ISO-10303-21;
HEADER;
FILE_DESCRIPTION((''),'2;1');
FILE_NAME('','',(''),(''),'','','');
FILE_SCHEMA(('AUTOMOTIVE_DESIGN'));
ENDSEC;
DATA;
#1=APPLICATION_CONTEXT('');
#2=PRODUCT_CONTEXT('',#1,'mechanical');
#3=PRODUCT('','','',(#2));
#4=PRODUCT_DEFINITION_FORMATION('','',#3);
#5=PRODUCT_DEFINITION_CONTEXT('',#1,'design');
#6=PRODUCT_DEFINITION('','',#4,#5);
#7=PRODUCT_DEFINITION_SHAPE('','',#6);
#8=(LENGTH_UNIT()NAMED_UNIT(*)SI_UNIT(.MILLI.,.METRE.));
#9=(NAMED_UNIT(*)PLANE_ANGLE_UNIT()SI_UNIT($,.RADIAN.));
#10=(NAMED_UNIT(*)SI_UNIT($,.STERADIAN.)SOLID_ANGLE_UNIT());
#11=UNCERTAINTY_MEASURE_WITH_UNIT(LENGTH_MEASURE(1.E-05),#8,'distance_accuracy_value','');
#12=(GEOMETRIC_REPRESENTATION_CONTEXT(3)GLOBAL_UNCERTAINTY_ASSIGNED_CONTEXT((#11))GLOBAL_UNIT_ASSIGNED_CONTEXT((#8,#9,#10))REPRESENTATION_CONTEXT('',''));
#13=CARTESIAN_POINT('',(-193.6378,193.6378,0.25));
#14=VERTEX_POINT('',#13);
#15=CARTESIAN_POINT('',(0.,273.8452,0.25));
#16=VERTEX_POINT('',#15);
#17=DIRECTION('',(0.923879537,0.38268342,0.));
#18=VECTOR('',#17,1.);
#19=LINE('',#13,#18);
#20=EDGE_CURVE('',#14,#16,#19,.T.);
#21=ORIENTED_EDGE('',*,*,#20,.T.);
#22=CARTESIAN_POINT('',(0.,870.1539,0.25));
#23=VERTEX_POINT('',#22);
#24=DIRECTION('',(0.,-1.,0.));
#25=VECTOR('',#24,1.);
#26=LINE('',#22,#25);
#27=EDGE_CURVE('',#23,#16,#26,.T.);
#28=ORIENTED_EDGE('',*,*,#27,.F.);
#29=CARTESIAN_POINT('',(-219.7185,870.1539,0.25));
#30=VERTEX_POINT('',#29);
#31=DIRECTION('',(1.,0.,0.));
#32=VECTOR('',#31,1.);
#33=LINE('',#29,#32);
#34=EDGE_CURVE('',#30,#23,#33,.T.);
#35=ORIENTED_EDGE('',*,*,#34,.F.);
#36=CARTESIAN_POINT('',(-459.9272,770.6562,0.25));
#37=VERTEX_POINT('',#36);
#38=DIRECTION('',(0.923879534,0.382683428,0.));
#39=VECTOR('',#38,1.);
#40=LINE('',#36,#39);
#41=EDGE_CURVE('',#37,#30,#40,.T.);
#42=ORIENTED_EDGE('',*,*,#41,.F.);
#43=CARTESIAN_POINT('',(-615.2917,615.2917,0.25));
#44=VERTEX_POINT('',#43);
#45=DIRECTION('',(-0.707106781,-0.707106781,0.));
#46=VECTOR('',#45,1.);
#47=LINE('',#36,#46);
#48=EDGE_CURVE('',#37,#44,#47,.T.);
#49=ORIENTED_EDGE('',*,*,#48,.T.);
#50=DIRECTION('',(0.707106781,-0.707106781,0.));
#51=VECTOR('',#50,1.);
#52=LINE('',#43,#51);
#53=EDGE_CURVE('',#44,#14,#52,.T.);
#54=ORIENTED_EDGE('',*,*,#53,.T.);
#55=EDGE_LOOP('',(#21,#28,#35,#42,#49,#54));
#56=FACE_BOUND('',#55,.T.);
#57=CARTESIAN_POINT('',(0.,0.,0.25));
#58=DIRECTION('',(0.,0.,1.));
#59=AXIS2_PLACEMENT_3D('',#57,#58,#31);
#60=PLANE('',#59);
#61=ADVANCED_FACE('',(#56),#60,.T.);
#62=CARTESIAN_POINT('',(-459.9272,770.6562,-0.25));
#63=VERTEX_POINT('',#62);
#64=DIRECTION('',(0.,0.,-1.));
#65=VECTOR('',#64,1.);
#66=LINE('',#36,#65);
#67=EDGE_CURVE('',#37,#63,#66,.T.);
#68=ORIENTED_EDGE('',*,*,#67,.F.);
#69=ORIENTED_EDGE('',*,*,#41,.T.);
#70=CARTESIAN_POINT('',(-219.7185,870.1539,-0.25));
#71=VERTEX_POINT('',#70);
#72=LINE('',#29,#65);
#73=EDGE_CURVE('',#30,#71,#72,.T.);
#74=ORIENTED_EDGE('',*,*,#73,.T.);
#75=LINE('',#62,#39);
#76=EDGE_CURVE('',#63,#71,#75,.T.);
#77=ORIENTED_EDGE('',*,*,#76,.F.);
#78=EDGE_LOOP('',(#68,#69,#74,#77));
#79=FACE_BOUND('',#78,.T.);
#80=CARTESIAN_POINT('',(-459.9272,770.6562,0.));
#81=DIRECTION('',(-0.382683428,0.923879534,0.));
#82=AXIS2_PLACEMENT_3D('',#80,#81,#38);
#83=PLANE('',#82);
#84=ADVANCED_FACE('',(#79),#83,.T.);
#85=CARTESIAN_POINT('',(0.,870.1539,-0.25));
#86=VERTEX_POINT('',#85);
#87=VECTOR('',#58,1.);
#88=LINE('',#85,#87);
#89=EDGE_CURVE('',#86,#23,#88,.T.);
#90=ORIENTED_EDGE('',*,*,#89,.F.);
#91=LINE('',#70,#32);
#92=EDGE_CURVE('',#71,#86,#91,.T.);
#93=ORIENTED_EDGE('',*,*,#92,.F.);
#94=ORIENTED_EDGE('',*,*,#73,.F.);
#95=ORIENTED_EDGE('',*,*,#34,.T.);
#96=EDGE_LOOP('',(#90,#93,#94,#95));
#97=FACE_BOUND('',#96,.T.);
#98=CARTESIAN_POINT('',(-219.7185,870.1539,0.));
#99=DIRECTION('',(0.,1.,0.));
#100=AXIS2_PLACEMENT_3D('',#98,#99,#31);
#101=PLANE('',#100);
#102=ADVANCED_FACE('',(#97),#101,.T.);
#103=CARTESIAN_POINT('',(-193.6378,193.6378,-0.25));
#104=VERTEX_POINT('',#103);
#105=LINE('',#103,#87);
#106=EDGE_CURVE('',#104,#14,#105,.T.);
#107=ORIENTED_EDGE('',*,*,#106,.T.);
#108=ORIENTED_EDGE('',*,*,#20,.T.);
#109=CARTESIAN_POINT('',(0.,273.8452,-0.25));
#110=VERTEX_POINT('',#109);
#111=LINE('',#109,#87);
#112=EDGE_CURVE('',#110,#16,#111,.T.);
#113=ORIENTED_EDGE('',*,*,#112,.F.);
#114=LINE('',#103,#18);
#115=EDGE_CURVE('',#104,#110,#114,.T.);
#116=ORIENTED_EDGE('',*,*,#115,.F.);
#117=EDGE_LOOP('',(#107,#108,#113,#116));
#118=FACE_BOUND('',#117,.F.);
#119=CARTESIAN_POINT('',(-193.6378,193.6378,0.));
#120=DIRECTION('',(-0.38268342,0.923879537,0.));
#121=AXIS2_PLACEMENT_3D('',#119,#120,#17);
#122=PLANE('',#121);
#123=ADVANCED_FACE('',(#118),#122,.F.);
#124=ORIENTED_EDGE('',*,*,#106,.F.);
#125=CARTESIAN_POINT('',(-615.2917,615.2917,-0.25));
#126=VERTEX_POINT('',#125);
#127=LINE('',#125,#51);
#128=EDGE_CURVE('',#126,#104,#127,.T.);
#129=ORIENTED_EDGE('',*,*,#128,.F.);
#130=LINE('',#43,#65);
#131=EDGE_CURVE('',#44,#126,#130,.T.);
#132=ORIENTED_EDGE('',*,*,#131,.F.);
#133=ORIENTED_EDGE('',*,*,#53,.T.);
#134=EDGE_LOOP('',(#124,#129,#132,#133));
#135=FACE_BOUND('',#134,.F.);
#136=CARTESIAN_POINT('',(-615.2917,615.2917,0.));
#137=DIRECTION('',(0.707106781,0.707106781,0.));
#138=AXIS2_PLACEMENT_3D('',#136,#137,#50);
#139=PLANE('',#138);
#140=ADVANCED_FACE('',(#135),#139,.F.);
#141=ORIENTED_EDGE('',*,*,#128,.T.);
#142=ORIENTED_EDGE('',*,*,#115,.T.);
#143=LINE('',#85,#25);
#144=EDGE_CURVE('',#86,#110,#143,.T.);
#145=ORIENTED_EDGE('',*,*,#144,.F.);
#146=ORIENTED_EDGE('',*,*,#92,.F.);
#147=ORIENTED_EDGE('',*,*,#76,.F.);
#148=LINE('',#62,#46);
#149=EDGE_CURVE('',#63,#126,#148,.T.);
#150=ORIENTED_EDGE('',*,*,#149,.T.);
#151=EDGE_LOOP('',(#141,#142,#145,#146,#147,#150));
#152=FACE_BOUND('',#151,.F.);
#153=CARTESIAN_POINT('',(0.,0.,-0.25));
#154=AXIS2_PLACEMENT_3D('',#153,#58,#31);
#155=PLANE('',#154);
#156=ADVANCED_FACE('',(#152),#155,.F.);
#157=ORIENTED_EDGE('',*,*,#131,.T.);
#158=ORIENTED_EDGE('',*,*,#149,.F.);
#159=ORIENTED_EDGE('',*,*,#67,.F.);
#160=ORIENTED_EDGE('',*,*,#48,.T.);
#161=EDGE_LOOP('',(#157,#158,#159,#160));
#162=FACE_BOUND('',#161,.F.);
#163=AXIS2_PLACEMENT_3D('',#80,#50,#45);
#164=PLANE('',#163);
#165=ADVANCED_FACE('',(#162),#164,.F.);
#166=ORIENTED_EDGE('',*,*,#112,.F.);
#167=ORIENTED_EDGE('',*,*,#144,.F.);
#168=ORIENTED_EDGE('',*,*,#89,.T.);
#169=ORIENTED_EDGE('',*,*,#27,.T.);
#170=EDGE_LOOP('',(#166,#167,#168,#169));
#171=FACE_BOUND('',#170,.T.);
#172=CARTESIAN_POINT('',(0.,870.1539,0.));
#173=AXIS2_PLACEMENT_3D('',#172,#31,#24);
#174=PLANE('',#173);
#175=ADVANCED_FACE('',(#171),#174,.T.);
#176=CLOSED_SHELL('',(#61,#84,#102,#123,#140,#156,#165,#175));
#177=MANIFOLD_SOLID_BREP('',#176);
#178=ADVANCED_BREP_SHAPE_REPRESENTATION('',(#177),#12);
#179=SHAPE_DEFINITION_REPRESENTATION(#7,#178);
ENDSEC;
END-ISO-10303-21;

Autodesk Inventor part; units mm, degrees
ref_plane "YZ Plane" through (0, 0, 0) normal (1, 0, 0) x (0, 1, 0)
ref_plane "XZ Plane" through (0, 0, 0) normal (0, 1, 0) x (-1, 0, 0)
ref_plane "XY Plane" through (0, 0, 0) normal (0, 0, 1) x (1, 0, 0)
sketch "Sketch1" plane through (0, 0, 0) normal (0, 0, 1) x (1, 0, 0)
  line L0 (0, 273.8452) -> (193.6378, 193.6378) construction
  line L1 (193.6378, 193.6378) -> (273.8452, 0) construction
  line L2 (273.8452, 0) -> (193.6378, -193.6378) construction
  line L3 (193.6378, -193.6378) -> (0, -273.8452) construction
  line L4 (0, -273.8452) -> (-193.6378, -193.6378) construction
  line L5 (-193.6378, -193.6378) -> (-273.8452, 0) construction
  line L6 (-273.8452, 0) -> (-193.6378, 193.6378) construction
  line L7 (-193.6378, 193.6378) -> (0, 273.8452)
  line L8 (-193.6378, 193.6378) -> (0, 273.8452)
  line L9 (-459.9272, 770.6562) -> (-219.7185, 870.1539)
  line L10 (-96.8189, 233.7415) -> (-339.8229, 820.405) construction
  line L11 (-219.7185, 870.1539) -> (0, 870.1539)
  line L12 (0, 870.1539) -> (0, 273.8452)
  line L13 (-459.9272, 770.6562) -> (-615.2917, 615.2917)
  line L14 (-615.2917, 615.2917) -> (-193.6378, 193.6378)
  point P0 (0, 0)
  point P1 (0, 0)
  dimension "d0" = 506
  dimension "d2" = 260
  dimension "d3" = 635
extrude "Extrusion1" add sketch "Sketch1" along normal mid plane 0.5
sketch "Sketch7" plane through (0, 0, 0.25) normal (0, 0, 1) x (1, 0, 0)
  line L0 (-13, 865.1539) -> (-5, 865.1539)
  line L1 (-5, 865.1539) -> (-5, 857.1539)
  line L2 (-5, 857.1539) -> (-13, 857.1539)
  line L3 (-13, 857.1539) -> (-13, 865.1539)
  line L4 (0, 870.1539) -> (-219.7185, 870.1539) projected
  line L5 (0, 273.8452) -> (0, 870.1539) projected
  point P0 (0, 0)
  dimension "d54" = 8
  dimension "d55" = 8
  dimension "d56" = 5
  dimension "d57" = 5
extrude "Extrusion5" [suppressed]
pattern_linear "Rectangular Pattern1" [suppressed]
equation "\"d0\" = Барабан_габарит_по_кассетам"
equation "\"d2\" = Кассета_длина_грани"
equation "\"d3\" = Кассета_высота"
equation "\"BendRadius\" = Thickness"
equation "\"BendReliefWidth\" = Thickness"
equation "\"BendReliefDepth\" = 0.5 * Thickness"
equation "\"CornerReliefSize\" = 4 * Thickness"
equation "\"MinimumRemnant\" = 2 * Thickness"
equation "\"TransitionRadius\" = BendRadius"
equation "\"JacobiRadiusSize\" = BendRadius"
equation "\"GapSize\" = Thickness"
equation "\"Барабан_габарит_по_кассетам\" = 506"
equation "\"Кассета_длина_грани\" = 260"
equation "\"Кассета_высота\" = 635"
equation "\"Thickness\" = 0.5"
properties part number "ДМС 207 Сетка кассеты"
